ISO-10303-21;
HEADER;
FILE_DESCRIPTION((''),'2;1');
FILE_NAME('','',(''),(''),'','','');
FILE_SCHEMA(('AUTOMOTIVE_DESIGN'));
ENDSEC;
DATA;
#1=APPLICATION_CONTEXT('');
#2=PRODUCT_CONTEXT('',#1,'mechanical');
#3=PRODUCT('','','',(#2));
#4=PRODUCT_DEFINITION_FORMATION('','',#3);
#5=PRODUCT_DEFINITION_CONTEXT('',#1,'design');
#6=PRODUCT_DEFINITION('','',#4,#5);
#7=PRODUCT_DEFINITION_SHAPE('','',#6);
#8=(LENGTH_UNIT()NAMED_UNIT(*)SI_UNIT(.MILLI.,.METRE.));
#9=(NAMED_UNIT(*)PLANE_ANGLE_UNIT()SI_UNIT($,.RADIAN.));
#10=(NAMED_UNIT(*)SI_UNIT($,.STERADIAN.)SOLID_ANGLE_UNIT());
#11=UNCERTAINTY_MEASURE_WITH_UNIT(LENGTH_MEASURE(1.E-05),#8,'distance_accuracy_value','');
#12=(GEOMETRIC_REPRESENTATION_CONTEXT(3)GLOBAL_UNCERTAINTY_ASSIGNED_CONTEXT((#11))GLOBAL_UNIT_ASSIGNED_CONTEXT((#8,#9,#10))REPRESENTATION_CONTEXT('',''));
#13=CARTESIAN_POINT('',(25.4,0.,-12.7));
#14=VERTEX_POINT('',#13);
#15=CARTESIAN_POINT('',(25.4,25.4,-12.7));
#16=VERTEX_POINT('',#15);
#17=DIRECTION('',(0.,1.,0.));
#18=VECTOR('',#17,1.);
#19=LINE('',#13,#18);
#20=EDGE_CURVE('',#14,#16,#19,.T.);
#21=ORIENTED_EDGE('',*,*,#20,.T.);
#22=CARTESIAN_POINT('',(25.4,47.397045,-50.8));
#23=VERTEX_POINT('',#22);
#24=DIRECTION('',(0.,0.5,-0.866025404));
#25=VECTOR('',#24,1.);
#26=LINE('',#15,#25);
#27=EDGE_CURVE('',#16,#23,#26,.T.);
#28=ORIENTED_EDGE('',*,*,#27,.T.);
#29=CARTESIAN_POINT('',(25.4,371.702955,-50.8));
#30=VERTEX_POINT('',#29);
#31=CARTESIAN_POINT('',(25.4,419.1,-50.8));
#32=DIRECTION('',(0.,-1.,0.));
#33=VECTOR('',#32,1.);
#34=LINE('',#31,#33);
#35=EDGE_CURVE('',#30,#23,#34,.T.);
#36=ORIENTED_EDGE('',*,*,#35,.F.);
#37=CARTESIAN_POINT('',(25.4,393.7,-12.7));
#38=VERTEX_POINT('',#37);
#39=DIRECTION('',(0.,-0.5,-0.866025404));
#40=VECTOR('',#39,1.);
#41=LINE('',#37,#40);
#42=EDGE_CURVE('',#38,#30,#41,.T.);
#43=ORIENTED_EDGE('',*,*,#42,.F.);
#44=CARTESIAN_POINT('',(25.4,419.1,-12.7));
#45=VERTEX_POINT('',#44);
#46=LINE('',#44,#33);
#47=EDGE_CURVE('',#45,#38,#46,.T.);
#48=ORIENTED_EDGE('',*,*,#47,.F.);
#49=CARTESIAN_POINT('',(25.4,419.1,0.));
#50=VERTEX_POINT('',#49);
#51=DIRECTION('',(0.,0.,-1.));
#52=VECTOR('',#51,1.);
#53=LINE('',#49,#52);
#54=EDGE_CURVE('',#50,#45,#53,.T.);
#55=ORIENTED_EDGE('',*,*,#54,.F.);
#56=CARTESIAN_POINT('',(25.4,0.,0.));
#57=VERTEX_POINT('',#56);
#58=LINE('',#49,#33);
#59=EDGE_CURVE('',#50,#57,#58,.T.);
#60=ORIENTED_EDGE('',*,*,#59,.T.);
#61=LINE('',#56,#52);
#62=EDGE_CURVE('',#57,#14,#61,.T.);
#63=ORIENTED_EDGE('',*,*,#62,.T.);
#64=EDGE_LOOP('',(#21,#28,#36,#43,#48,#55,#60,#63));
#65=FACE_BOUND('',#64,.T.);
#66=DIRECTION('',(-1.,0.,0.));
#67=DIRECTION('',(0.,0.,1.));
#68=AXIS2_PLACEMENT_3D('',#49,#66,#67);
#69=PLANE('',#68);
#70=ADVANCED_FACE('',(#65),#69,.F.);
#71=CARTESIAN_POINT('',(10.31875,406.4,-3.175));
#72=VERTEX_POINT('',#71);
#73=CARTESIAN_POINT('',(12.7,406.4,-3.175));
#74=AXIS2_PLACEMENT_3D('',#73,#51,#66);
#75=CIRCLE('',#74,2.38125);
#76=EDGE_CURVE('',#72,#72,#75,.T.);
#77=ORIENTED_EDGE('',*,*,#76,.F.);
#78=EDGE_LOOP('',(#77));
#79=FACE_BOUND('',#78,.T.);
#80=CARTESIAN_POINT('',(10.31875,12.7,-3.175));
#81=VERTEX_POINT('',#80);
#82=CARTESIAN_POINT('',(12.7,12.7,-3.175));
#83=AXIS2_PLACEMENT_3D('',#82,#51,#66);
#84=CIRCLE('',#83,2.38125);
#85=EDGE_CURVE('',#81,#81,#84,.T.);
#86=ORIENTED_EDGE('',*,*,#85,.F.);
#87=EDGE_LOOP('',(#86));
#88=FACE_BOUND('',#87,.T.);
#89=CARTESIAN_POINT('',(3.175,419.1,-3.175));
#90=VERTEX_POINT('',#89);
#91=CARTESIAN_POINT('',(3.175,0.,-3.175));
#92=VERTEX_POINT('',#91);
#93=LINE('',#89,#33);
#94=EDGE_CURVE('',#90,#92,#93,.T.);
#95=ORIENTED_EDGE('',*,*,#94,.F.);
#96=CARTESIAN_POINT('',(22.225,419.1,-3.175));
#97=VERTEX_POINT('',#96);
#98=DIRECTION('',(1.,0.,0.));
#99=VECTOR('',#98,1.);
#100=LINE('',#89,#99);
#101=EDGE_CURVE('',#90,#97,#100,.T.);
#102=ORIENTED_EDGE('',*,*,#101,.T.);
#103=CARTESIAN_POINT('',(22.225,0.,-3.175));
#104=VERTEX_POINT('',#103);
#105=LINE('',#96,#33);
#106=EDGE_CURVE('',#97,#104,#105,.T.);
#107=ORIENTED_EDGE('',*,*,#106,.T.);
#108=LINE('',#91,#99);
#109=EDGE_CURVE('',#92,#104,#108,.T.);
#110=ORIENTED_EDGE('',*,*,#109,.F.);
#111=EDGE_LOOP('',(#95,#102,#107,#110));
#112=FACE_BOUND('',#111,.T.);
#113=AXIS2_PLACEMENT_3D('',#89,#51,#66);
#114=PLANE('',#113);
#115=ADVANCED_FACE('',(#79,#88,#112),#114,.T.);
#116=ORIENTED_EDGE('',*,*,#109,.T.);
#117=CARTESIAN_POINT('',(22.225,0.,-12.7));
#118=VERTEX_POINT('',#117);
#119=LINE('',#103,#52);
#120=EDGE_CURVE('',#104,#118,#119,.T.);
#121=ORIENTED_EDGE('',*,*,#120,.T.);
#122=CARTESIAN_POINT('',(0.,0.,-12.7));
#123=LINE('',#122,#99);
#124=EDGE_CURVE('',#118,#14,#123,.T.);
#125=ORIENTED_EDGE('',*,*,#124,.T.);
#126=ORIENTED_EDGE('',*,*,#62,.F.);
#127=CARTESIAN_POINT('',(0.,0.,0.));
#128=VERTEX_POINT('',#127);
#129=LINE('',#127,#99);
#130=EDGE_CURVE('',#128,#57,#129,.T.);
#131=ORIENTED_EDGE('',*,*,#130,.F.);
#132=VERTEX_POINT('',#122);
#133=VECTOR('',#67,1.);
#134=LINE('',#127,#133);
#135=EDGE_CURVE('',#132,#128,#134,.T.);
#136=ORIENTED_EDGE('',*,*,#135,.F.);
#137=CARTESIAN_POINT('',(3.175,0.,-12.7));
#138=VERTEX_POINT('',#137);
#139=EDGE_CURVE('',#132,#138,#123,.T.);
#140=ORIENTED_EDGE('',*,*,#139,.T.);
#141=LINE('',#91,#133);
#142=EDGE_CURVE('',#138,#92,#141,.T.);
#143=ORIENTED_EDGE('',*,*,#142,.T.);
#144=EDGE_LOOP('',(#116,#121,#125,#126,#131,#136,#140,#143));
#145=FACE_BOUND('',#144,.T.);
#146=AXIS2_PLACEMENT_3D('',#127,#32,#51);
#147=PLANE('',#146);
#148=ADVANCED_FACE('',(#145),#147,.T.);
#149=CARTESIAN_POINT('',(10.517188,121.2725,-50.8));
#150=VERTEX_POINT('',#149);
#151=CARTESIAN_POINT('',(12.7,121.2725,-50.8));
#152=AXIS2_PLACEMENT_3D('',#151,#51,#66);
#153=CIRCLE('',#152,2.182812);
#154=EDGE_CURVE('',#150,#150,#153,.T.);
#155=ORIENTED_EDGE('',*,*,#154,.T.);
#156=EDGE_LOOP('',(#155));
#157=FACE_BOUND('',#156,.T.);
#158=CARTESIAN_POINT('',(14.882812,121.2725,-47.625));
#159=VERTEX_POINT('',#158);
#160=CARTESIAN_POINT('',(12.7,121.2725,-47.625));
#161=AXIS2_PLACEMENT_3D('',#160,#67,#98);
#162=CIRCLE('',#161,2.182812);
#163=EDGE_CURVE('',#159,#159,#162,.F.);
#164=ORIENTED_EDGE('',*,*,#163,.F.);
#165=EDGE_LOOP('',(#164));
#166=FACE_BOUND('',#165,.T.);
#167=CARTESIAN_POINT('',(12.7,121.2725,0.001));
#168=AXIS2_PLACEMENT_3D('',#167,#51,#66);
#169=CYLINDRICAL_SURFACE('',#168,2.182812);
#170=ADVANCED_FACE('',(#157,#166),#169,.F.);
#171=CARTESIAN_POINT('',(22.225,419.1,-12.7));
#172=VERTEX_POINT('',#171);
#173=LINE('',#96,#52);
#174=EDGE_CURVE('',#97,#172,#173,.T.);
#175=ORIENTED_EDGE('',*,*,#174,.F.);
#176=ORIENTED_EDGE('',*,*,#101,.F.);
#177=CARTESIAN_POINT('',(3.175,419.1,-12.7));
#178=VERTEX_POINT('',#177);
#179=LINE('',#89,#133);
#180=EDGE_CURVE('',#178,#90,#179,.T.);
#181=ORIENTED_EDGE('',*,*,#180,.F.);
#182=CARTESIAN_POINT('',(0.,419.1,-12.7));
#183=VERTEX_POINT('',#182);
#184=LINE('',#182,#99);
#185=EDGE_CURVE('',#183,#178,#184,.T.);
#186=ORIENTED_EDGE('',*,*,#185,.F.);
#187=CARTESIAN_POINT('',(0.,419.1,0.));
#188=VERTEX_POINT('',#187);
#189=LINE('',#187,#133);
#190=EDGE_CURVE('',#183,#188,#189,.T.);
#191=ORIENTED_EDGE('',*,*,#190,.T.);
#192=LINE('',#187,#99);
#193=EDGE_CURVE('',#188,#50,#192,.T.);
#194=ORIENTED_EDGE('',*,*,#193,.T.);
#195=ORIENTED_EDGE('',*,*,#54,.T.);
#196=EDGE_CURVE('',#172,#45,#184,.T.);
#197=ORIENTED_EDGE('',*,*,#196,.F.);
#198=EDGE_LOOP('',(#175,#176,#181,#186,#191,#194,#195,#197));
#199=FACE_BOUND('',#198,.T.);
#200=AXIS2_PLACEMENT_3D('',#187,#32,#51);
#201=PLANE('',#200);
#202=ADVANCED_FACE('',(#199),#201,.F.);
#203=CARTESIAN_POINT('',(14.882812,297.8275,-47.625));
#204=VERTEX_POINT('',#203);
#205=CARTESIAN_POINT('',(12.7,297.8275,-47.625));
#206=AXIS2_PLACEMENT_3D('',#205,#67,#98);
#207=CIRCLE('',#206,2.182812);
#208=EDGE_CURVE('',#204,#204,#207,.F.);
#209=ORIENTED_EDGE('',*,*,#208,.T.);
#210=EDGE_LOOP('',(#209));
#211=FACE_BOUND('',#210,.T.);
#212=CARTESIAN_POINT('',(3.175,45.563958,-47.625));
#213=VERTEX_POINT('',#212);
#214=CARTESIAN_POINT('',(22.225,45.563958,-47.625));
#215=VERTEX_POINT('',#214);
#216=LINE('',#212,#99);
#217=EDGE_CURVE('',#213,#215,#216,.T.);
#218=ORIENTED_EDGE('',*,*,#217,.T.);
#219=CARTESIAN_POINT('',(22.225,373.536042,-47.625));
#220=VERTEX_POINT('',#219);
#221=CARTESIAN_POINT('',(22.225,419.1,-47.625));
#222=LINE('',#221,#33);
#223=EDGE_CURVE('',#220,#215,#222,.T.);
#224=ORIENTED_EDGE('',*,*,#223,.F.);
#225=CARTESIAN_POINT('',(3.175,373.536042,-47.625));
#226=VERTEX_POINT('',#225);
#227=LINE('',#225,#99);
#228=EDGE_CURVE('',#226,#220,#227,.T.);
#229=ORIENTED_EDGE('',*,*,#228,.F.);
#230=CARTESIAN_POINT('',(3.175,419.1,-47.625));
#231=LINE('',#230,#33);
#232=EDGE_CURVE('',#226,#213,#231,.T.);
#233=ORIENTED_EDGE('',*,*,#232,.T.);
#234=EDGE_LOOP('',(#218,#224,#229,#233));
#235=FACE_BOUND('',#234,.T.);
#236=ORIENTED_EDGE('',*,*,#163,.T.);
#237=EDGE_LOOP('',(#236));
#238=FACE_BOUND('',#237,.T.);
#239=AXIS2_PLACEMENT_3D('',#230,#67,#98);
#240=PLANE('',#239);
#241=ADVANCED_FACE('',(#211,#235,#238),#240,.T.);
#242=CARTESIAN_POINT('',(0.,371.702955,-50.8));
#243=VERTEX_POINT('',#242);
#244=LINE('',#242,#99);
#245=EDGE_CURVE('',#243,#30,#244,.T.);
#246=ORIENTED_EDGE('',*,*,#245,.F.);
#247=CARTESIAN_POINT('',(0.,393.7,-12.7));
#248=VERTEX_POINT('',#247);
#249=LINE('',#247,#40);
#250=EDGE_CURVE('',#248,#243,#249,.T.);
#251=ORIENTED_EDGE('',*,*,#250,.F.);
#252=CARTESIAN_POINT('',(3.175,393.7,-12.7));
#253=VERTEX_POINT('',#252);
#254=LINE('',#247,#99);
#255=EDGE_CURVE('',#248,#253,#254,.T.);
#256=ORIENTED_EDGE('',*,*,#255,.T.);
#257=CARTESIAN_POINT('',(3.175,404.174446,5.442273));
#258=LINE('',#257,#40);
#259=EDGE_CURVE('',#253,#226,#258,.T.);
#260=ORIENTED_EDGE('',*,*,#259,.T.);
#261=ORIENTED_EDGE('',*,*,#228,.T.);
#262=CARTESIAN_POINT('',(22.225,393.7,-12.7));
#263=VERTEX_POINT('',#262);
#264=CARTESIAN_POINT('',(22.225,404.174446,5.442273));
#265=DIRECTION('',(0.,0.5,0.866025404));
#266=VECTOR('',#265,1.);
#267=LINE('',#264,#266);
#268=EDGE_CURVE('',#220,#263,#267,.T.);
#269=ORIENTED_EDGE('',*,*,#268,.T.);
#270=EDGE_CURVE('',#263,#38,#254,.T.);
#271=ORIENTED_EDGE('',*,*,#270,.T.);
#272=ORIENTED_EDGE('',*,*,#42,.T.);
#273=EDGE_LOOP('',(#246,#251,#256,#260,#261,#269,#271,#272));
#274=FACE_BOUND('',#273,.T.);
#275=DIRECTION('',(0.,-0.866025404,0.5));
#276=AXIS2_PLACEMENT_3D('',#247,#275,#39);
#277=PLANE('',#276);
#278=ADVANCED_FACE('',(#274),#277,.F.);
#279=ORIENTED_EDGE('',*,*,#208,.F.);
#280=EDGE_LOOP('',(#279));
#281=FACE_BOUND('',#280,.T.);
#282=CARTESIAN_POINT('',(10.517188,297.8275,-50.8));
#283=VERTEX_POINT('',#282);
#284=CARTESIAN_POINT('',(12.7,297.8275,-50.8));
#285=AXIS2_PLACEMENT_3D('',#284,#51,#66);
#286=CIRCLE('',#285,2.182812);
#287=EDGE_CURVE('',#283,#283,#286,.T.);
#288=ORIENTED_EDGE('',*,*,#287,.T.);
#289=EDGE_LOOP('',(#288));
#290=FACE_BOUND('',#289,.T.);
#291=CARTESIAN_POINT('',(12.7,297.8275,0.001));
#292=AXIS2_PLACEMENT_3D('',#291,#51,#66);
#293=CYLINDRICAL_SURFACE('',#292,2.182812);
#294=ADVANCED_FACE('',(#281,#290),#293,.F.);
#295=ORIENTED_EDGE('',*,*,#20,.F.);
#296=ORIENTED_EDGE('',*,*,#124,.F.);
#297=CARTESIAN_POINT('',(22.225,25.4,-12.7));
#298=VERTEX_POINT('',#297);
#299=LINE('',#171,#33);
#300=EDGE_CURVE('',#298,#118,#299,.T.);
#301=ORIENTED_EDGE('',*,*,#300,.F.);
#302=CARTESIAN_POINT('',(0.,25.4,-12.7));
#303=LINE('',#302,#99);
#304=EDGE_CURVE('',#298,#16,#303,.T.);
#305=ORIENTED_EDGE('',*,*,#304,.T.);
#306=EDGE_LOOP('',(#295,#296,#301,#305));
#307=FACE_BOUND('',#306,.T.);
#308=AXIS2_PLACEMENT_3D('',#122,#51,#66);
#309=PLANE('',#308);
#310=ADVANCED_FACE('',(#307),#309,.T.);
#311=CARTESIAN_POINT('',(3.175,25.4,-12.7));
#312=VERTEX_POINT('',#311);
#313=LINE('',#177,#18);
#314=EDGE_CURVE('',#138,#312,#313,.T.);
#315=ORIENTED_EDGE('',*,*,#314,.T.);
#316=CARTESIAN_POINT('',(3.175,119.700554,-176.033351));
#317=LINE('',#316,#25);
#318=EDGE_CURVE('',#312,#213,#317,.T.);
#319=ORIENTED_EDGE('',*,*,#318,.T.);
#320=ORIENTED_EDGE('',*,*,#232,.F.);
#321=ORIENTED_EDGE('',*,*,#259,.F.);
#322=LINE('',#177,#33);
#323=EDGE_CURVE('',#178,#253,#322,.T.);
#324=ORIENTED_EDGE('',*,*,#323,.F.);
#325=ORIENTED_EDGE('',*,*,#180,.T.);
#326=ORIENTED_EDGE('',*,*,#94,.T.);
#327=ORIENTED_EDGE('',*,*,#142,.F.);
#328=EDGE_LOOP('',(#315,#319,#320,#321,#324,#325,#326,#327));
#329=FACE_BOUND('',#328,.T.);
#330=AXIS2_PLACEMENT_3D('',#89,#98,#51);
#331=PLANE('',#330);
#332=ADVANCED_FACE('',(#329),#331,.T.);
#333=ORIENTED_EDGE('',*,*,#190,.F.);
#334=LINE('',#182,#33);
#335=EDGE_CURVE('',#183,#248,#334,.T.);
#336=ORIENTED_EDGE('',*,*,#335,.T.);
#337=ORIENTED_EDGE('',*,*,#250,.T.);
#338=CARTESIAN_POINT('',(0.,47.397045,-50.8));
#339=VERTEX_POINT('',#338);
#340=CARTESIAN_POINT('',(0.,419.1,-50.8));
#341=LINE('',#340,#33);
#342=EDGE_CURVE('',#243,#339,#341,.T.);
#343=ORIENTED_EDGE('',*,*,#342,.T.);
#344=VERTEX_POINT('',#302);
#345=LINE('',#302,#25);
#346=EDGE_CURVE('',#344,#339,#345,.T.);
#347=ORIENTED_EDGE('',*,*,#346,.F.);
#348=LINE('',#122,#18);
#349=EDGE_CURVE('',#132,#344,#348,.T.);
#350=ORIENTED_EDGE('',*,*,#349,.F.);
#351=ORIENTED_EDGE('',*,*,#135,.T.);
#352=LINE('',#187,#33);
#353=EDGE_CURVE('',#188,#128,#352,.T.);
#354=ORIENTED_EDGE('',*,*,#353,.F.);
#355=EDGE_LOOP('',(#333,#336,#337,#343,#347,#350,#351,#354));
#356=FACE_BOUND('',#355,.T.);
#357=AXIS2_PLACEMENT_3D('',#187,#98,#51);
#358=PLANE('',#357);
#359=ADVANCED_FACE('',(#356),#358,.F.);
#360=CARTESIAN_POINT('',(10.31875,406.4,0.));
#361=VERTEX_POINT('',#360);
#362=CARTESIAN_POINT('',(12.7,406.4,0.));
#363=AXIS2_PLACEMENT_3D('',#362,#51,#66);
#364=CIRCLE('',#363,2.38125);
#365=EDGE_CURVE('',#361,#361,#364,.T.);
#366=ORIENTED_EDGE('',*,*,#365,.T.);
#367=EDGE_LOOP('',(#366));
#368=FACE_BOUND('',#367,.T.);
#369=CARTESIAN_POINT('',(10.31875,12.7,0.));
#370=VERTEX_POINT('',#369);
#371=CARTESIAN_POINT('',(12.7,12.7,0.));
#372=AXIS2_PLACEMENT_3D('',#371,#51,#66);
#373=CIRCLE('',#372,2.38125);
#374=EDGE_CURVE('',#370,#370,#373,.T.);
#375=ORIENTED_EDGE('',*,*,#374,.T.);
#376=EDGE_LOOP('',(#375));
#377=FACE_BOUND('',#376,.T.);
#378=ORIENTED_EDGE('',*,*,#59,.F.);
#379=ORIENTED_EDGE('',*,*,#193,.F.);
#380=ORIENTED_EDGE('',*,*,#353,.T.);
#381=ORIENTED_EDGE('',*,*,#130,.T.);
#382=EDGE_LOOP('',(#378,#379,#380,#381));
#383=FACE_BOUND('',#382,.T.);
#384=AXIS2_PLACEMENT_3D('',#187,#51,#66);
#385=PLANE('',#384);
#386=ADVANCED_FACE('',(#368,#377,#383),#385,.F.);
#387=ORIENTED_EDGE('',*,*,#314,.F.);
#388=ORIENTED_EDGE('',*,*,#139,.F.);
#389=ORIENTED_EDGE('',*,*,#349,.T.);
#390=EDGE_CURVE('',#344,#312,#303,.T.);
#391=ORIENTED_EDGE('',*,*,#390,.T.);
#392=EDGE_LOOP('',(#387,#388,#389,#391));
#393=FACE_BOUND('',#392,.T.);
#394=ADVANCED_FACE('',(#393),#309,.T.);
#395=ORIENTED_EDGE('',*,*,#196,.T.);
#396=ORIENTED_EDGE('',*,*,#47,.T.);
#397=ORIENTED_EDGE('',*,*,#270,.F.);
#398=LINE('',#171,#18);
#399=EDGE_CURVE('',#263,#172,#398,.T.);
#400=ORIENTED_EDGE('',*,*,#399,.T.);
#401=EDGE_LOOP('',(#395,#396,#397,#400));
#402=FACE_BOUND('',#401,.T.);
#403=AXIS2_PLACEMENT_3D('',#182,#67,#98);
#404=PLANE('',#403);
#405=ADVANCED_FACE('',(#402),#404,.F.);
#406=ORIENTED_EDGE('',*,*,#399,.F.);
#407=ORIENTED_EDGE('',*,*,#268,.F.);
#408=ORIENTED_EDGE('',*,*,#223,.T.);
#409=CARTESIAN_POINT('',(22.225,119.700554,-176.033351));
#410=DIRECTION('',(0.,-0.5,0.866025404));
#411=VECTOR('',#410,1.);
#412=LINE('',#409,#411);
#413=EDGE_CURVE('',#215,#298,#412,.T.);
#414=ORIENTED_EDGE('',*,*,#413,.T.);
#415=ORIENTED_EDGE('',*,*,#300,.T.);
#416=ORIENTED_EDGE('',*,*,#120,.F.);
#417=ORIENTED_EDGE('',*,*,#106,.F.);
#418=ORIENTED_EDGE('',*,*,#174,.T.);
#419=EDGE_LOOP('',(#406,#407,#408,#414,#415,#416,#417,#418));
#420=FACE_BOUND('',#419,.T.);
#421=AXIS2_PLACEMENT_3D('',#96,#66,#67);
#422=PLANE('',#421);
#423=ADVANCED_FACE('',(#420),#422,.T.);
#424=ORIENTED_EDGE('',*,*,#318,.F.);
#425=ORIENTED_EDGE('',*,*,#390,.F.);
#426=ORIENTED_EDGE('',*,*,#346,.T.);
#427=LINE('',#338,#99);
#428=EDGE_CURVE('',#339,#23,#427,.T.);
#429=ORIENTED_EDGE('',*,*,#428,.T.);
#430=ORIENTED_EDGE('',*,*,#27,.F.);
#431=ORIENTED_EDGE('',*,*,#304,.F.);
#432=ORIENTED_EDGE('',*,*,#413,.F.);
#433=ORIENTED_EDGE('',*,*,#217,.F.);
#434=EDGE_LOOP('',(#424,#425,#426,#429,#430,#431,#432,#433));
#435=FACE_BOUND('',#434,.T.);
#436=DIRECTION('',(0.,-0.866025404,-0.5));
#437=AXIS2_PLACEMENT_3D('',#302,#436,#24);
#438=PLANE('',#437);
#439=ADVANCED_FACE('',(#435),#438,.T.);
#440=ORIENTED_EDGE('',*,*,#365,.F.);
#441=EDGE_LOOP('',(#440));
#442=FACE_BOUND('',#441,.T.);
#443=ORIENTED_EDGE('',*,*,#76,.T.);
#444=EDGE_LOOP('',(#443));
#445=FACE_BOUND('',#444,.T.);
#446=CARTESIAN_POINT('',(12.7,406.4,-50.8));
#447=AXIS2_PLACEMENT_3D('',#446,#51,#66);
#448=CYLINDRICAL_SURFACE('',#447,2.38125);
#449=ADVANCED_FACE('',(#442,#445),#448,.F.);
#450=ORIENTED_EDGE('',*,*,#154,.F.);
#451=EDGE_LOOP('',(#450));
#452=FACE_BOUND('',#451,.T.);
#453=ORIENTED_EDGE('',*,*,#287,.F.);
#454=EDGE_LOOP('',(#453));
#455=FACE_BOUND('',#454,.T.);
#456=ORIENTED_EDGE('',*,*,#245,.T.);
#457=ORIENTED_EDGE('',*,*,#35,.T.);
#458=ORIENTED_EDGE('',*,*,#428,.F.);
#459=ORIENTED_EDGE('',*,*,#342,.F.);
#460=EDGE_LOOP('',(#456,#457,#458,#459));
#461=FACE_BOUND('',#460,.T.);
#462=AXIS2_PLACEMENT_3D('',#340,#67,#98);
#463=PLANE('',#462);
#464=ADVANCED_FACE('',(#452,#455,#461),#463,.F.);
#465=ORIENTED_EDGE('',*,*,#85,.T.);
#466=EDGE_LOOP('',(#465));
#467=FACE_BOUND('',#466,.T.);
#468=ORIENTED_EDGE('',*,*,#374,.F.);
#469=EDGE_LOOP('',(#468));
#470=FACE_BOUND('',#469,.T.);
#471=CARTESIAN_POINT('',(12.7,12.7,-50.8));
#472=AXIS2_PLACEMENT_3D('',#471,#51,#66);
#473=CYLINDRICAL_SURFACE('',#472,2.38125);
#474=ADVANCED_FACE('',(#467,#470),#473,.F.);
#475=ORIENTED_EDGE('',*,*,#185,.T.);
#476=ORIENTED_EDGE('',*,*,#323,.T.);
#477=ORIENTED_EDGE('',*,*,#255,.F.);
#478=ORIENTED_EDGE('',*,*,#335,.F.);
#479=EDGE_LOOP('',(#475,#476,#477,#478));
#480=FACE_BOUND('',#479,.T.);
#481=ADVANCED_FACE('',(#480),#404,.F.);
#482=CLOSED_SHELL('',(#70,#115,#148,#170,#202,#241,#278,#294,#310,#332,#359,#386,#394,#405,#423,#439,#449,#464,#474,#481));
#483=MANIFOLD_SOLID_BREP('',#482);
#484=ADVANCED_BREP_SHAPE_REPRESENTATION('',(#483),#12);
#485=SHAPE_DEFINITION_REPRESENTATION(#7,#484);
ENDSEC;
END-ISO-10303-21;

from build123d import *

# Parameters (mm, degrees)
SKETCH1_W              = 25.4
SKETCH1_H              = 50.8
SKETCH1_W_2            = 19.05
SKETCH1_H_2            = 44.45
BOSS_EXTRUDE1_DEPTH    = 419.1
F_10_CLEARANCE_HOLE1_D = 4.7625
CUT_EXTRUDE1_DEPTH     = 423.930975456
CUT_EXTRUDE2_REACH     = 424.931
SKETCH6_R              = 2.1828125


with BuildPart() as part:
    # Sketch1 → Boss-Extrude1 (new body)
    with BuildSketch(Plane(origin=(0, 0, 0), x_dir=(1, 0, 0), z_dir=(0, 1, 0))):
        with Locations((12.7, 25.4)):
            Rectangle(SKETCH1_W, SKETCH1_H)
        with Locations((12.7, 25.4)):
            Rectangle(SKETCH1_W_2, SKETCH1_H_2, mode=Mode.SUBTRACT)
    extrude(amount=BOSS_EXTRUDE1_DEPTH)

    # #10 Clearance Hole1 (through all)
    with Locations(Plane(origin=(0, 0, -50.8), x_dir=(-1, 0, 0), z_dir=(0, 0, -1))):
        with Locations((-12.7, 406.4), (-12.7, 12.7)):
            Hole(F_10_CLEARANCE_HOLE1_D / 2)

    # Sketch5 → Cut-Extrude1 (cut, through all)
    with BuildSketch(Plane(origin=(25.4, 0, 0), x_dir=(0, 0, -1), z_dir=(1, 0, 0))):
        Polygon((12.7, 419.1), (12.7, 393.7), (50.8, 371.702954744), (50.8, 419.1), align=None)
    cut_extrude1 = extrude(amount=-CUT_EXTRUDE1_DEPTH, mode=Mode.SUBTRACT)

    # Mirror1: Cut-Extrude1 across plane
    add(cut_extrude1.mirror(Plane.ZX.offset(209.55)), mode=Mode.SUBTRACT)

    # Sketch6 → Cut-Extrude2 (cut, up to next)
    with BuildSketch(Plane(origin=(0, 0, -50.8), x_dir=(-1, 0, 0), z_dir=(0, 0, -1)), mode=Mode.PRIVATE) as cut_extrude2_sk1:
        with Locations((-12.7, 121.2725)):
            Circle(SKETCH6_R)
    cut_extrude2_tool1 = extrude(cut_extrude2_sk1.sketch, amount=-CUT_EXTRUDE2_REACH, mode=Mode.PRIVATE) & part.part
    # Sketch6 → Cut-Extrude2 (cut, up to next)
    with BuildSketch(Plane(origin=(0, 0, -50.8), x_dir=(-1, 0, 0), z_dir=(0, 0, -1)), mode=Mode.PRIVATE) as cut_extrude2_sk2:
        with Locations((-12.7, 297.8275)):
            Circle(SKETCH6_R)
    cut_extrude2_tool2 = extrude(cut_extrude2_sk2.sketch, amount=-CUT_EXTRUDE2_REACH, mode=Mode.PRIVATE) & part.part
    add(cut_extrude2_tool1.solids().sort_by_distance((12.7, 121.2725, -50.8))[0], mode=Mode.SUBTRACT)
    add(cut_extrude2_tool2.solids().sort_by_distance((12.7, 297.8275, -50.8))[0], mode=Mode.SUBTRACT)


solid = part.part
